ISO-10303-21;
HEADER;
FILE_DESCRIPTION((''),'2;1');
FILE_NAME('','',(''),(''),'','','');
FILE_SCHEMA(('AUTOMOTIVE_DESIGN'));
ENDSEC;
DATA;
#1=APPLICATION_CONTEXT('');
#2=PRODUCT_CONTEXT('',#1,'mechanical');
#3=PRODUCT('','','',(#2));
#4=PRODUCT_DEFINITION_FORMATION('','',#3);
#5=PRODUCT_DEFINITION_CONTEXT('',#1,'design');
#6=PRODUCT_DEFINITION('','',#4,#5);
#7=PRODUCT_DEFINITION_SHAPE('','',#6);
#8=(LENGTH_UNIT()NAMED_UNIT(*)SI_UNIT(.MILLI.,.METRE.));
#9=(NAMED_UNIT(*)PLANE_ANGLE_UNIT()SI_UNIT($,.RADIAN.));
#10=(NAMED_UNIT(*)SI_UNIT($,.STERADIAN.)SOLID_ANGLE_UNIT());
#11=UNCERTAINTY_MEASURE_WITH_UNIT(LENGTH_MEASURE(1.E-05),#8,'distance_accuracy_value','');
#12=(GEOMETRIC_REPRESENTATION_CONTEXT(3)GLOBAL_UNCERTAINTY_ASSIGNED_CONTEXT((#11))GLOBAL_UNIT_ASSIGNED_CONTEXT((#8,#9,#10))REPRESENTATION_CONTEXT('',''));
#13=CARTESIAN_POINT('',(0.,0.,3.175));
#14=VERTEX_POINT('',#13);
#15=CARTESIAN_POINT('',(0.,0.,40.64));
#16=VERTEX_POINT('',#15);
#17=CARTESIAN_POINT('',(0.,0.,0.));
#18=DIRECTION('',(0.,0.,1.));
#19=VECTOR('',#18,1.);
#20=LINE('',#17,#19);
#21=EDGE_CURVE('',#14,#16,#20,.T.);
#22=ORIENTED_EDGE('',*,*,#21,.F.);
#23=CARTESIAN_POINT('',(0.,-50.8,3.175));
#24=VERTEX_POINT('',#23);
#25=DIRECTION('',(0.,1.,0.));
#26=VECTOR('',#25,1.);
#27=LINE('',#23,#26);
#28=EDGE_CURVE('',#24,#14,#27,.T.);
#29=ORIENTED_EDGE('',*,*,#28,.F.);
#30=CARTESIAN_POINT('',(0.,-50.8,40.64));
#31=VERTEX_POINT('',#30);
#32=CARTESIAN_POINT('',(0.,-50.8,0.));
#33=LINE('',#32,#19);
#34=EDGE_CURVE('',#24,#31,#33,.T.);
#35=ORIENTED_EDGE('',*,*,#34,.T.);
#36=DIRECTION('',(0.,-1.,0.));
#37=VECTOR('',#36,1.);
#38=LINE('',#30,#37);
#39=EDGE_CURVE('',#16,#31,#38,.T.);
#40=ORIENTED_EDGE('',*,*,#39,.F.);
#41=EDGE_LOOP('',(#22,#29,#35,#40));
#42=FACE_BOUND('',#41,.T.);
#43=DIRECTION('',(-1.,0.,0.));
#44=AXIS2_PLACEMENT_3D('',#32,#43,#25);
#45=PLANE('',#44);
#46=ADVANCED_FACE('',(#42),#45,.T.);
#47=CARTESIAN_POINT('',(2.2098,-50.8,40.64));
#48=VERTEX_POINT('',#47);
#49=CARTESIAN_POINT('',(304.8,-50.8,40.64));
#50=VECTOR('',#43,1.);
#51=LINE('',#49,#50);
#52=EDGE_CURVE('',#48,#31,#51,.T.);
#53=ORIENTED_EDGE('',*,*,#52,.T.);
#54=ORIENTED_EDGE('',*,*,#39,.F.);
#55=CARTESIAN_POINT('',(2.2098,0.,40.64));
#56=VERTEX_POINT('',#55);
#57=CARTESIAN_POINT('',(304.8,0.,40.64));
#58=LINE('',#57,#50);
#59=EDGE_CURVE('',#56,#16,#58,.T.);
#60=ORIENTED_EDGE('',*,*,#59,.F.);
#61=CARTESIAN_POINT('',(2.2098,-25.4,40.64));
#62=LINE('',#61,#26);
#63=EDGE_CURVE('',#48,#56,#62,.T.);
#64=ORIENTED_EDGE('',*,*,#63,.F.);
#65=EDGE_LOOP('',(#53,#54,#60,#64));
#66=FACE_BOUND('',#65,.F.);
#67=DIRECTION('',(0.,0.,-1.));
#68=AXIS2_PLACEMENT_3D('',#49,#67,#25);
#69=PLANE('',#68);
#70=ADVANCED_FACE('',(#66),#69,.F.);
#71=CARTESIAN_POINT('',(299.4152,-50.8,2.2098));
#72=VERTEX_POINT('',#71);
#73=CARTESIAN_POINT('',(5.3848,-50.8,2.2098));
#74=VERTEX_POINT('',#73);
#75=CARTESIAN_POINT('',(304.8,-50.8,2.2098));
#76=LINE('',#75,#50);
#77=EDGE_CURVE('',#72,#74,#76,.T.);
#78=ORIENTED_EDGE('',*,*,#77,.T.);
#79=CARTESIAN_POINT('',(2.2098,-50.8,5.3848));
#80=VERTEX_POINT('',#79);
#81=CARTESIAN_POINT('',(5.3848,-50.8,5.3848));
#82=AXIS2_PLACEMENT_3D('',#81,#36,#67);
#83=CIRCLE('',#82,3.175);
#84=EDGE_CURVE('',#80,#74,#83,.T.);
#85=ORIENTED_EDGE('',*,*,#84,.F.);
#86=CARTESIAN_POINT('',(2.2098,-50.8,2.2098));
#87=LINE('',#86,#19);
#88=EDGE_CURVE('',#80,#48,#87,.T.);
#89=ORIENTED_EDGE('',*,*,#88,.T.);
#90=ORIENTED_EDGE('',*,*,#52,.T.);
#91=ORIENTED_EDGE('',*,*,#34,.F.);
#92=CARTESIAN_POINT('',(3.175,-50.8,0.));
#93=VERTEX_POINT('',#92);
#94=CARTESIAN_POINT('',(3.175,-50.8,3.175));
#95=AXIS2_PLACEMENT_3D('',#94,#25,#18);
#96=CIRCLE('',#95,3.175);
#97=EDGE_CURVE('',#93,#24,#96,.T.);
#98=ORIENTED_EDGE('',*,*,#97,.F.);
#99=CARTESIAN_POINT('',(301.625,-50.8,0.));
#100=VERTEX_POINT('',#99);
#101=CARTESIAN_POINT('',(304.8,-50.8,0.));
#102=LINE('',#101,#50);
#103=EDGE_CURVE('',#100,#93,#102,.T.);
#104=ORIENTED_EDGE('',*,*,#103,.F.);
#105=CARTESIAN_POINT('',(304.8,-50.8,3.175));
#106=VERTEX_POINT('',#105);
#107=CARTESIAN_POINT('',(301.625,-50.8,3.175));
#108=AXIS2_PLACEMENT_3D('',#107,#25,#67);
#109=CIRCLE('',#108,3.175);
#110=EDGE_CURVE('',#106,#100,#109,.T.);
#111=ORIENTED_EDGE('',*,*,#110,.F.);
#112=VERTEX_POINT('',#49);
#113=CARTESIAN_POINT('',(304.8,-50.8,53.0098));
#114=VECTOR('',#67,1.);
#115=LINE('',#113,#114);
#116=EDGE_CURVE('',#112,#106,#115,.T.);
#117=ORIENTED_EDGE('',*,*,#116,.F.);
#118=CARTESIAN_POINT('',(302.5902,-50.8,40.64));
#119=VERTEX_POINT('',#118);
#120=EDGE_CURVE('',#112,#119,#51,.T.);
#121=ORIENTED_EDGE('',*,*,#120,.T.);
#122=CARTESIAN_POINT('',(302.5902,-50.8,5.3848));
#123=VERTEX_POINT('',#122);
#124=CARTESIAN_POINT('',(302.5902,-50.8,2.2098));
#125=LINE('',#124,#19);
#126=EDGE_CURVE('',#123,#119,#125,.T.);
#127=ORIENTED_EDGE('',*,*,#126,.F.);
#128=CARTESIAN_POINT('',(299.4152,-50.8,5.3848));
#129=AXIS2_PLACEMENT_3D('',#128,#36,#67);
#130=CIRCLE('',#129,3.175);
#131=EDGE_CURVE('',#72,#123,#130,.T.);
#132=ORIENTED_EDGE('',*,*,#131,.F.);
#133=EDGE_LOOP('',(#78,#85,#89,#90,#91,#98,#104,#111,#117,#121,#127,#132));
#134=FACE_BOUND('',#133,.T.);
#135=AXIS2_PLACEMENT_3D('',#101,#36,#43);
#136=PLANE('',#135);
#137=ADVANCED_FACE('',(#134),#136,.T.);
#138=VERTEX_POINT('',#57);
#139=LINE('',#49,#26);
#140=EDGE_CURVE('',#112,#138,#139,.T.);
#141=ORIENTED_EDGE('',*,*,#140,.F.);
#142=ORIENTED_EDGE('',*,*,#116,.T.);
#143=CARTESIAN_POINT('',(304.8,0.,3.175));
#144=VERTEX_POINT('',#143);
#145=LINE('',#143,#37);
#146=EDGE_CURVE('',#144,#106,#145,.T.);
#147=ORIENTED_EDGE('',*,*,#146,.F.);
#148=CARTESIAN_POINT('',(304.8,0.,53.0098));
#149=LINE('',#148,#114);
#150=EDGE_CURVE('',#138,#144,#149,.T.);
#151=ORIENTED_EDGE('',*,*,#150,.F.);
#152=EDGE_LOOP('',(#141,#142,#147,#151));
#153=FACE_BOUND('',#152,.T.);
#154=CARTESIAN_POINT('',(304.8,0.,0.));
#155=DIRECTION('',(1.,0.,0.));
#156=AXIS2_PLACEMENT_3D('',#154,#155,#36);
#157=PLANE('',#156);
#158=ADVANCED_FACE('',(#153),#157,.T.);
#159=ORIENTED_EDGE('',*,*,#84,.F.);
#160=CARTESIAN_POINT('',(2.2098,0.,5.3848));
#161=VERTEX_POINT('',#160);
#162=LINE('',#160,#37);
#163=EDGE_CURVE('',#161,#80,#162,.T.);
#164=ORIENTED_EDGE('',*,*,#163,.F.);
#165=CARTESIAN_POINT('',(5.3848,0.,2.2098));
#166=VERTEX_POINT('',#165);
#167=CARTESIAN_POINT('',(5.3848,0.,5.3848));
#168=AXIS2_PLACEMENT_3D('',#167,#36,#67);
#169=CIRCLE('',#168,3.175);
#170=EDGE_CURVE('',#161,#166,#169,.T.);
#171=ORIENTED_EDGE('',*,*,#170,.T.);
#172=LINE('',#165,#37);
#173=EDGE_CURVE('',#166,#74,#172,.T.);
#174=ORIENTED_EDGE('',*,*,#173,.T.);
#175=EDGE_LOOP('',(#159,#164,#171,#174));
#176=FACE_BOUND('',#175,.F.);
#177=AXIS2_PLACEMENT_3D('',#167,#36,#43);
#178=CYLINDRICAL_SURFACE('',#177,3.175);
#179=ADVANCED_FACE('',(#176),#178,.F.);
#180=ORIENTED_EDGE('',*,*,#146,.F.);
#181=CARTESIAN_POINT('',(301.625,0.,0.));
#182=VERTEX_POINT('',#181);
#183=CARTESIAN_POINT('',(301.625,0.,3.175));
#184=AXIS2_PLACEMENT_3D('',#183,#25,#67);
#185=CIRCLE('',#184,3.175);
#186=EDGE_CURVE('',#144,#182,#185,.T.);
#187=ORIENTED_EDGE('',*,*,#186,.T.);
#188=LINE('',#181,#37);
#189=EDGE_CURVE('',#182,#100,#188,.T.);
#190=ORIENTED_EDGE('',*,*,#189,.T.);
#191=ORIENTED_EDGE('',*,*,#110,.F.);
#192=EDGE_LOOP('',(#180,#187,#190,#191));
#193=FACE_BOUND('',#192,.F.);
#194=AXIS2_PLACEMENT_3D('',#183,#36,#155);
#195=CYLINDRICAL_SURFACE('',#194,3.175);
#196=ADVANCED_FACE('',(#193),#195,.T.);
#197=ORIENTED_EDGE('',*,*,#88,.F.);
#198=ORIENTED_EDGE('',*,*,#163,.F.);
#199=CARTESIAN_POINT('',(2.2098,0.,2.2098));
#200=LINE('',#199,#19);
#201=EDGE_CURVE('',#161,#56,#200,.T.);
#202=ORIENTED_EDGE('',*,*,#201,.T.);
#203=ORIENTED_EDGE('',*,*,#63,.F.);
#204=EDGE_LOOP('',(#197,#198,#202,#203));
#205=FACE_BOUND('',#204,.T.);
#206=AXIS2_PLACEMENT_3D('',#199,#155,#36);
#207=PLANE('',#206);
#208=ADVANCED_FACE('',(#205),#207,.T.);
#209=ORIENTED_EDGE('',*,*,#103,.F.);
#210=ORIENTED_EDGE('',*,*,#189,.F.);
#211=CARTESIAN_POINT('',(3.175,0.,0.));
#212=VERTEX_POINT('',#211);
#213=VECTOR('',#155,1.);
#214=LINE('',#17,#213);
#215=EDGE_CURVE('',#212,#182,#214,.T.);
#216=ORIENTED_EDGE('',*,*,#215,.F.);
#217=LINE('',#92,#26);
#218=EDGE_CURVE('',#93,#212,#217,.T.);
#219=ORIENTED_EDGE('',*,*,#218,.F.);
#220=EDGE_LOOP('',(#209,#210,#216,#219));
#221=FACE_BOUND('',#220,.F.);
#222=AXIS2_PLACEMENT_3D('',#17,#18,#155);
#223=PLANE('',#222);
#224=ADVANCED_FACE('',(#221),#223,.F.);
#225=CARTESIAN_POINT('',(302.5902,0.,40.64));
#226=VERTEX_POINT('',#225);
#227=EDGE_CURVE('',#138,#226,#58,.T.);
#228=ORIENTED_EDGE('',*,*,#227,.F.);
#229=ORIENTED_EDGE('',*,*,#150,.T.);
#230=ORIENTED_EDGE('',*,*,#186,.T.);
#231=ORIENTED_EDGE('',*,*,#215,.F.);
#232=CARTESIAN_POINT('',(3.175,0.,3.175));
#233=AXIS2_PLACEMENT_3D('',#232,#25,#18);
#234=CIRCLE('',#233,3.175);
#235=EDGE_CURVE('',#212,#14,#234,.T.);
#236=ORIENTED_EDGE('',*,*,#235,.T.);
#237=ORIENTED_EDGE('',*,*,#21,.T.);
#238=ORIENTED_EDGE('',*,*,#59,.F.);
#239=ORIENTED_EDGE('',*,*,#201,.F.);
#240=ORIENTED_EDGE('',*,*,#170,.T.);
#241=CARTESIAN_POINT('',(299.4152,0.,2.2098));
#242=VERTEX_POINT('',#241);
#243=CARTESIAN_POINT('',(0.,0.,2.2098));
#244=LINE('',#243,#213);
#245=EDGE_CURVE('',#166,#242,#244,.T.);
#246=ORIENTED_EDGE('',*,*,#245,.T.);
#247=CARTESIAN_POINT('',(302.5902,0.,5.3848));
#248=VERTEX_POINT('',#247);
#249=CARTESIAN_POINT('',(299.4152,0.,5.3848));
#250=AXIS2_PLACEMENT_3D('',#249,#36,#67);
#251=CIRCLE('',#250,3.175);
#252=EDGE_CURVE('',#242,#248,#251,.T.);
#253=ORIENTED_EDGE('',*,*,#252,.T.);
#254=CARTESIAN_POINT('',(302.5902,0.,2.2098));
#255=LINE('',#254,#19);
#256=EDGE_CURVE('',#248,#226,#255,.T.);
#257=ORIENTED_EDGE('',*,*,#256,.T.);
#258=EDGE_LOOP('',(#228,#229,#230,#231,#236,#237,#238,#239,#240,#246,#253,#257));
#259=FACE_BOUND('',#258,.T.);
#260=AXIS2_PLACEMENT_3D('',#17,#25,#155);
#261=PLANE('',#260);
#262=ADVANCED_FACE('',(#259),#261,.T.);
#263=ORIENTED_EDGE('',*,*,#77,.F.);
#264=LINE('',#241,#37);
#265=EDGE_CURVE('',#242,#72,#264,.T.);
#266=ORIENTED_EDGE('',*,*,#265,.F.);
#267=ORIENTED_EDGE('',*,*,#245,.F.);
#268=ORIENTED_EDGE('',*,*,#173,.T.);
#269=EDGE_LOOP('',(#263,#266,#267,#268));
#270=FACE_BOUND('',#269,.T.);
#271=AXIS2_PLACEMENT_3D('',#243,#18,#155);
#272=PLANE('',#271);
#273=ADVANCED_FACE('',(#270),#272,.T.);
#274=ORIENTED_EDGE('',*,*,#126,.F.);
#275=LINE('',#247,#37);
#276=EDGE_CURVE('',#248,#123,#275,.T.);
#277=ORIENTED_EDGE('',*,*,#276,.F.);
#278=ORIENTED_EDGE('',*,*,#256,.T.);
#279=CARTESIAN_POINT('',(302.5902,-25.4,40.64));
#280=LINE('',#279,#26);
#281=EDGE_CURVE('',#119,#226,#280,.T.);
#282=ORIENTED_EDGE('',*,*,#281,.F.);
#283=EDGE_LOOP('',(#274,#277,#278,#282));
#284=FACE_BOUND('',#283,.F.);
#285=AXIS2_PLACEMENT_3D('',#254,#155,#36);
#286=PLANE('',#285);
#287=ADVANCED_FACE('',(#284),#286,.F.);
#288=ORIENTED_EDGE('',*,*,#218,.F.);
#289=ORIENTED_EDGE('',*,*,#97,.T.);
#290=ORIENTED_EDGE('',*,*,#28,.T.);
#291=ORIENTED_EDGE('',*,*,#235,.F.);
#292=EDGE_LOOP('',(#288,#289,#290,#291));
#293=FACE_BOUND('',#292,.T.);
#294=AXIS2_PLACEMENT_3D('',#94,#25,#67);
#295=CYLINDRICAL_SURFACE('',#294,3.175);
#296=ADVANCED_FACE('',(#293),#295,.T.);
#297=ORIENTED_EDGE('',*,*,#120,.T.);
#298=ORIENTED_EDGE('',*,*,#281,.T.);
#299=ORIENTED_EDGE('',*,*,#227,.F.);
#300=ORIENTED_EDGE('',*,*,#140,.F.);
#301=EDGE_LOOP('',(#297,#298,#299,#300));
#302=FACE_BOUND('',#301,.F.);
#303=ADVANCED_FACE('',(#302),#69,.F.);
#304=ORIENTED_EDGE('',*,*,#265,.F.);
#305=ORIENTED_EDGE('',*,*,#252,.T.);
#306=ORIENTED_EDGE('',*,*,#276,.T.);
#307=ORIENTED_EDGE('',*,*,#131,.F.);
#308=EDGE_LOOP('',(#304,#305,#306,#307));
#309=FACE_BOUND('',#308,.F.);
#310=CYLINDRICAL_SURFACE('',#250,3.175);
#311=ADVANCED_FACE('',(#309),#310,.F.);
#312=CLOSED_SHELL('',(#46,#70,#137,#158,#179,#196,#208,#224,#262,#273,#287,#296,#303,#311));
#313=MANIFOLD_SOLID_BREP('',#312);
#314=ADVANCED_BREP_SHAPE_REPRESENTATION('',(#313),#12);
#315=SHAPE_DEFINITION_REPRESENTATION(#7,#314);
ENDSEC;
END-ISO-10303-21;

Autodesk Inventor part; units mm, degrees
ref_plane "YZ Plane" through (0, 0, 0) normal (1, 0, 0) x (0, 1, 0)
ref_plane "XZ Plane" through (0, 0, 0) normal (0, 1, 0) x (-1, 0, 0)
ref_plane "XY Plane" through (0, 0, 0) normal (0, 0, 1) x (1, 0, 0)
sketch "Sketch1" plane through (0, 0, 0) normal (0, 0, 1) x (1, 0, 0)
  line L0 (0, 0) -> (304.8, 0)
  line L1 (304.8, 0) -> (304.8, -50.8)
  line L2 (304.8, -50.8) -> (0, -50.8)
  line L3 (0, -50.8) -> (0, 0)
  dimension "d0" = 304.8
  dimension "d1" = 50.8
extrude "Extrusion1" add sketch "Sketch1" along normal blind 2.2098
sketch "Sketch2" plane through (0, 0, 2.2098) normal (0, 0, 1) x (1, 0, 0)
  line L0 (0, -50.8) -> (304.8, -50.8) projected
  line L1 (0, 0) -> (2.2098, 0)
  line L2 (2.2098, 0) -> (2.2098, -50.8)
  line L3 (2.2098, -50.8) -> (0, -50.8)
  line L4 (0, -50.8) -> (0, 0)
  line L5 (304.8, 0) -> (302.5902, 0)
  line L6 (302.5902, 0) -> (302.5902, -50.8)
  line L7 (302.5902, -50.8) -> (304.8, -50.8)
  line L8 (304.8, -50.8) -> (304.8, 0)
  dimension "d4" = 2.2098
  dimension "d5" = 2.2098
extrude "Extrusion2" add sketch "Sketch2" along normal blind 50.8
fillet "Fillet1" radius 3.175 1 edges at (304.8, -25.4, 0)
fillet "Fillet2" radius 3.175 1 edges at (0, -25.4, 0)
fillet "Fillet3" radius 3.175 1 edges at (2.2098, -25.4, 2.2098)
fillet "Fillet4" radius 3.175 1 edges at (302.5902, -25.4, 2.2098)
sketch "Sketch3" plane through (304.8, -50.8, 53.0098) normal (1, 0, 0) x (0, 0, -1)
  line L0 (0, 0) -> (12.3698, 0)
  line L1 (49.8348, 0) -> (0, 0) projected
  line L2 (12.3698, 0) -> (12.3698, 65.8948)
  line L3 (47.625, 50.8) -> (0, 50.8) projected
  line L4 (12.3698, 65.8948) -> (-20.1931, 65.8948)
  line L5 (-20.1931, 65.8948) -> (-20.1931, 0)
  line L6 (-20.1931, 0) -> (12.3698, 0)
  point P0 (53.0098, 50.8)
  dimension "d12" = 12.3698
extrude "Extrusion3" cut sketch "Sketch3" against normal through all
properties part number "Conveyor Brace"
